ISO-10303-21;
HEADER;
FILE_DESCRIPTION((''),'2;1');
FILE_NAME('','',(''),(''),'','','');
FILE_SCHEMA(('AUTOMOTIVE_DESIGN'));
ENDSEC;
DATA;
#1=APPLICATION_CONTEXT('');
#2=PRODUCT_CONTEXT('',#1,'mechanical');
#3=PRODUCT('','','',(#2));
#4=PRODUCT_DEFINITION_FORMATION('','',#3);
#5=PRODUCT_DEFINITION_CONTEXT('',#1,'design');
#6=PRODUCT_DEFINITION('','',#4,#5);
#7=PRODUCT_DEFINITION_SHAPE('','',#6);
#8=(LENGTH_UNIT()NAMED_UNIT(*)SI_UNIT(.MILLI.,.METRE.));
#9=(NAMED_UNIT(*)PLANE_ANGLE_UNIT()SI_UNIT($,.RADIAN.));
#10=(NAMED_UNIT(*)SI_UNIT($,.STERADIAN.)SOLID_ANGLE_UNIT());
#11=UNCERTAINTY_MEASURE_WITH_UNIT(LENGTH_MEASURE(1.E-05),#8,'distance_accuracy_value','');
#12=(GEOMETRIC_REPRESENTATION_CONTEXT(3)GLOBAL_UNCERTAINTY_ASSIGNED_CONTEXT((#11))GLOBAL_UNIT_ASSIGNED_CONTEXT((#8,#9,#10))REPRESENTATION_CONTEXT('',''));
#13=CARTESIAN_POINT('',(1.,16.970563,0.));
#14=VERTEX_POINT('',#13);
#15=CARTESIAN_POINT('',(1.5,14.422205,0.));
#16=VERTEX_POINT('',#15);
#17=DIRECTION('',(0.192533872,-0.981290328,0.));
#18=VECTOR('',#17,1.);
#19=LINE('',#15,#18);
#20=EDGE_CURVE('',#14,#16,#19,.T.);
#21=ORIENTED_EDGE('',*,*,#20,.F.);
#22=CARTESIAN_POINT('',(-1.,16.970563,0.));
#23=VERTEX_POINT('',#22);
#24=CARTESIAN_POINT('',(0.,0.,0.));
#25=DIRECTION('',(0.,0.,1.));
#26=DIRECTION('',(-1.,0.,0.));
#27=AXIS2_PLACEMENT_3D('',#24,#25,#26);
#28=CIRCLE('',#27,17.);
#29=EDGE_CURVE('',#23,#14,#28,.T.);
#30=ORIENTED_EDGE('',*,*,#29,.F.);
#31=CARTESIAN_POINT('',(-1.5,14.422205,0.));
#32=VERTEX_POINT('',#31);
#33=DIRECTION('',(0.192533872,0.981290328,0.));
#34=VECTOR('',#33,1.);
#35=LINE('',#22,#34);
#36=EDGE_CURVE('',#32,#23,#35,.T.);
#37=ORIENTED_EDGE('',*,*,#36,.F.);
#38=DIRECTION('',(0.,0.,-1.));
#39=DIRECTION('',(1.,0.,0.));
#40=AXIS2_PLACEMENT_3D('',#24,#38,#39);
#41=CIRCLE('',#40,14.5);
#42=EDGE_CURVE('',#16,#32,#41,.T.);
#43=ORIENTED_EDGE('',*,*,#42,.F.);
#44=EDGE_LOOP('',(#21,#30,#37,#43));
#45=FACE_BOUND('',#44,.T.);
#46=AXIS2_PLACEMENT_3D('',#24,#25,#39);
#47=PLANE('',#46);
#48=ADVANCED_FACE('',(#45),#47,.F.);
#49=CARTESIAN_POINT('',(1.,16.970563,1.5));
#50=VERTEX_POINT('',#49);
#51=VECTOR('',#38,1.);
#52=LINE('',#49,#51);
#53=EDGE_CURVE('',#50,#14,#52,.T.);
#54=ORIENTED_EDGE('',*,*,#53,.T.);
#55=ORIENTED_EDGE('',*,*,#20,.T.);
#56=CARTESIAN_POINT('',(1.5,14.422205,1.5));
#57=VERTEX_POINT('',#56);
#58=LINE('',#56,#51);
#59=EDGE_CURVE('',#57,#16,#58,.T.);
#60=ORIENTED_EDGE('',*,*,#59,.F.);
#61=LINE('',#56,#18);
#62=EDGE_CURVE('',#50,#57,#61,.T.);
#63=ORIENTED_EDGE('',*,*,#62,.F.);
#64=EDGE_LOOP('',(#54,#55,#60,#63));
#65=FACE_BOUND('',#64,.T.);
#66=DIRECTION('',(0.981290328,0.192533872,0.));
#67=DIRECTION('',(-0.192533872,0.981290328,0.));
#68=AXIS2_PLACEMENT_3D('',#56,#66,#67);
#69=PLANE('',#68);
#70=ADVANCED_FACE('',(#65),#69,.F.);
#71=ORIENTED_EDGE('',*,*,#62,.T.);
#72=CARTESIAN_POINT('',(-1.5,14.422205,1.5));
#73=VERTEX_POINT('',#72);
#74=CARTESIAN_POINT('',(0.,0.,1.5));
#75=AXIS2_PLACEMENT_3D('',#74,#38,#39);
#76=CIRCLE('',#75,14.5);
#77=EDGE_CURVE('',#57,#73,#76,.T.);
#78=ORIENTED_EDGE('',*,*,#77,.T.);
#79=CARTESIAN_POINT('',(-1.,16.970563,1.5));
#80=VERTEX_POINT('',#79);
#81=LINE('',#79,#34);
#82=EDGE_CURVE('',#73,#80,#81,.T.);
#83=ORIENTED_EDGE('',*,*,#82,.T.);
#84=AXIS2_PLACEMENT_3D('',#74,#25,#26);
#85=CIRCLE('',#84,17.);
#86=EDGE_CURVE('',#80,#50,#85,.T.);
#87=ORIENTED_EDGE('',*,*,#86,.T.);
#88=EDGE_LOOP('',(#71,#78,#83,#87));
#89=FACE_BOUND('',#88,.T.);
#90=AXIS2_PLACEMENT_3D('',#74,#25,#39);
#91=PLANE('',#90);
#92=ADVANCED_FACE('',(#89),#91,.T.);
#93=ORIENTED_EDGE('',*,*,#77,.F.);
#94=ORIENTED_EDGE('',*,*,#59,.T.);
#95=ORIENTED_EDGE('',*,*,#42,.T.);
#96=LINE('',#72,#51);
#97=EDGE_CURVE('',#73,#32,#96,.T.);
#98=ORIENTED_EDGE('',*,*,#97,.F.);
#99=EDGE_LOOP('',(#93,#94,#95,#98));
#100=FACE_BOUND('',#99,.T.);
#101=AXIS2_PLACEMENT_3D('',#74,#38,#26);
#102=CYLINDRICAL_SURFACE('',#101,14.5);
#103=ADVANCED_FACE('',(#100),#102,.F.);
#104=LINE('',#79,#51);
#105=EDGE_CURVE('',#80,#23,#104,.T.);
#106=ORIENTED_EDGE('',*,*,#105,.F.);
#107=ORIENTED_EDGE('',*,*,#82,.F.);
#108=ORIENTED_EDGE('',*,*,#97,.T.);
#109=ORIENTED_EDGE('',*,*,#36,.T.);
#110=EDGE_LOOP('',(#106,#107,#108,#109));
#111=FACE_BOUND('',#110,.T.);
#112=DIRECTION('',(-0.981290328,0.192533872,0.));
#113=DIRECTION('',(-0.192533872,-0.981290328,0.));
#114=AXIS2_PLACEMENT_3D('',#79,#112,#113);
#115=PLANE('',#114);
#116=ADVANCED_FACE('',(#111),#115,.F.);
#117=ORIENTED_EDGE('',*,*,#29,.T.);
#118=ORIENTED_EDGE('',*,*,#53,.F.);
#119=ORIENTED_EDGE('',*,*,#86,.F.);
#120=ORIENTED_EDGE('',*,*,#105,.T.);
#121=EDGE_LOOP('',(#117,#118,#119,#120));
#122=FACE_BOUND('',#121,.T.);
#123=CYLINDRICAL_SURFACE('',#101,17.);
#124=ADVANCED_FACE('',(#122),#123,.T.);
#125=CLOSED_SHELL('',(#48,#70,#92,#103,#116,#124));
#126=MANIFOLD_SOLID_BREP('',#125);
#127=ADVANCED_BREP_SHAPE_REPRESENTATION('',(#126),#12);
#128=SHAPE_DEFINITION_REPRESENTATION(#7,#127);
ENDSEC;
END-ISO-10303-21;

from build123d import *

# Parameters (mm, degrees)
EXTRUDE1_DEPTH = 1.5


with BuildPart() as part:
    # Sketch1 → Extrude1 (new body)
    with BuildSketch(Plane.XY):
        with BuildLine():
            Line((-1, 16.970562748), (-1.5, 14.422205102))
            ThreePointArc((-1.5, 14.422205102), (0, -14.5), (1.5, 14.422205102))
            Line((1.5, 14.422205102), (1, 16.970562748))
            ThreePointArc((1, 16.970562748), (0, -17), (-1, 16.970562748))
        make_face()
    extrude(amount=EXTRUDE1_DEPTH)


solid = part.part
